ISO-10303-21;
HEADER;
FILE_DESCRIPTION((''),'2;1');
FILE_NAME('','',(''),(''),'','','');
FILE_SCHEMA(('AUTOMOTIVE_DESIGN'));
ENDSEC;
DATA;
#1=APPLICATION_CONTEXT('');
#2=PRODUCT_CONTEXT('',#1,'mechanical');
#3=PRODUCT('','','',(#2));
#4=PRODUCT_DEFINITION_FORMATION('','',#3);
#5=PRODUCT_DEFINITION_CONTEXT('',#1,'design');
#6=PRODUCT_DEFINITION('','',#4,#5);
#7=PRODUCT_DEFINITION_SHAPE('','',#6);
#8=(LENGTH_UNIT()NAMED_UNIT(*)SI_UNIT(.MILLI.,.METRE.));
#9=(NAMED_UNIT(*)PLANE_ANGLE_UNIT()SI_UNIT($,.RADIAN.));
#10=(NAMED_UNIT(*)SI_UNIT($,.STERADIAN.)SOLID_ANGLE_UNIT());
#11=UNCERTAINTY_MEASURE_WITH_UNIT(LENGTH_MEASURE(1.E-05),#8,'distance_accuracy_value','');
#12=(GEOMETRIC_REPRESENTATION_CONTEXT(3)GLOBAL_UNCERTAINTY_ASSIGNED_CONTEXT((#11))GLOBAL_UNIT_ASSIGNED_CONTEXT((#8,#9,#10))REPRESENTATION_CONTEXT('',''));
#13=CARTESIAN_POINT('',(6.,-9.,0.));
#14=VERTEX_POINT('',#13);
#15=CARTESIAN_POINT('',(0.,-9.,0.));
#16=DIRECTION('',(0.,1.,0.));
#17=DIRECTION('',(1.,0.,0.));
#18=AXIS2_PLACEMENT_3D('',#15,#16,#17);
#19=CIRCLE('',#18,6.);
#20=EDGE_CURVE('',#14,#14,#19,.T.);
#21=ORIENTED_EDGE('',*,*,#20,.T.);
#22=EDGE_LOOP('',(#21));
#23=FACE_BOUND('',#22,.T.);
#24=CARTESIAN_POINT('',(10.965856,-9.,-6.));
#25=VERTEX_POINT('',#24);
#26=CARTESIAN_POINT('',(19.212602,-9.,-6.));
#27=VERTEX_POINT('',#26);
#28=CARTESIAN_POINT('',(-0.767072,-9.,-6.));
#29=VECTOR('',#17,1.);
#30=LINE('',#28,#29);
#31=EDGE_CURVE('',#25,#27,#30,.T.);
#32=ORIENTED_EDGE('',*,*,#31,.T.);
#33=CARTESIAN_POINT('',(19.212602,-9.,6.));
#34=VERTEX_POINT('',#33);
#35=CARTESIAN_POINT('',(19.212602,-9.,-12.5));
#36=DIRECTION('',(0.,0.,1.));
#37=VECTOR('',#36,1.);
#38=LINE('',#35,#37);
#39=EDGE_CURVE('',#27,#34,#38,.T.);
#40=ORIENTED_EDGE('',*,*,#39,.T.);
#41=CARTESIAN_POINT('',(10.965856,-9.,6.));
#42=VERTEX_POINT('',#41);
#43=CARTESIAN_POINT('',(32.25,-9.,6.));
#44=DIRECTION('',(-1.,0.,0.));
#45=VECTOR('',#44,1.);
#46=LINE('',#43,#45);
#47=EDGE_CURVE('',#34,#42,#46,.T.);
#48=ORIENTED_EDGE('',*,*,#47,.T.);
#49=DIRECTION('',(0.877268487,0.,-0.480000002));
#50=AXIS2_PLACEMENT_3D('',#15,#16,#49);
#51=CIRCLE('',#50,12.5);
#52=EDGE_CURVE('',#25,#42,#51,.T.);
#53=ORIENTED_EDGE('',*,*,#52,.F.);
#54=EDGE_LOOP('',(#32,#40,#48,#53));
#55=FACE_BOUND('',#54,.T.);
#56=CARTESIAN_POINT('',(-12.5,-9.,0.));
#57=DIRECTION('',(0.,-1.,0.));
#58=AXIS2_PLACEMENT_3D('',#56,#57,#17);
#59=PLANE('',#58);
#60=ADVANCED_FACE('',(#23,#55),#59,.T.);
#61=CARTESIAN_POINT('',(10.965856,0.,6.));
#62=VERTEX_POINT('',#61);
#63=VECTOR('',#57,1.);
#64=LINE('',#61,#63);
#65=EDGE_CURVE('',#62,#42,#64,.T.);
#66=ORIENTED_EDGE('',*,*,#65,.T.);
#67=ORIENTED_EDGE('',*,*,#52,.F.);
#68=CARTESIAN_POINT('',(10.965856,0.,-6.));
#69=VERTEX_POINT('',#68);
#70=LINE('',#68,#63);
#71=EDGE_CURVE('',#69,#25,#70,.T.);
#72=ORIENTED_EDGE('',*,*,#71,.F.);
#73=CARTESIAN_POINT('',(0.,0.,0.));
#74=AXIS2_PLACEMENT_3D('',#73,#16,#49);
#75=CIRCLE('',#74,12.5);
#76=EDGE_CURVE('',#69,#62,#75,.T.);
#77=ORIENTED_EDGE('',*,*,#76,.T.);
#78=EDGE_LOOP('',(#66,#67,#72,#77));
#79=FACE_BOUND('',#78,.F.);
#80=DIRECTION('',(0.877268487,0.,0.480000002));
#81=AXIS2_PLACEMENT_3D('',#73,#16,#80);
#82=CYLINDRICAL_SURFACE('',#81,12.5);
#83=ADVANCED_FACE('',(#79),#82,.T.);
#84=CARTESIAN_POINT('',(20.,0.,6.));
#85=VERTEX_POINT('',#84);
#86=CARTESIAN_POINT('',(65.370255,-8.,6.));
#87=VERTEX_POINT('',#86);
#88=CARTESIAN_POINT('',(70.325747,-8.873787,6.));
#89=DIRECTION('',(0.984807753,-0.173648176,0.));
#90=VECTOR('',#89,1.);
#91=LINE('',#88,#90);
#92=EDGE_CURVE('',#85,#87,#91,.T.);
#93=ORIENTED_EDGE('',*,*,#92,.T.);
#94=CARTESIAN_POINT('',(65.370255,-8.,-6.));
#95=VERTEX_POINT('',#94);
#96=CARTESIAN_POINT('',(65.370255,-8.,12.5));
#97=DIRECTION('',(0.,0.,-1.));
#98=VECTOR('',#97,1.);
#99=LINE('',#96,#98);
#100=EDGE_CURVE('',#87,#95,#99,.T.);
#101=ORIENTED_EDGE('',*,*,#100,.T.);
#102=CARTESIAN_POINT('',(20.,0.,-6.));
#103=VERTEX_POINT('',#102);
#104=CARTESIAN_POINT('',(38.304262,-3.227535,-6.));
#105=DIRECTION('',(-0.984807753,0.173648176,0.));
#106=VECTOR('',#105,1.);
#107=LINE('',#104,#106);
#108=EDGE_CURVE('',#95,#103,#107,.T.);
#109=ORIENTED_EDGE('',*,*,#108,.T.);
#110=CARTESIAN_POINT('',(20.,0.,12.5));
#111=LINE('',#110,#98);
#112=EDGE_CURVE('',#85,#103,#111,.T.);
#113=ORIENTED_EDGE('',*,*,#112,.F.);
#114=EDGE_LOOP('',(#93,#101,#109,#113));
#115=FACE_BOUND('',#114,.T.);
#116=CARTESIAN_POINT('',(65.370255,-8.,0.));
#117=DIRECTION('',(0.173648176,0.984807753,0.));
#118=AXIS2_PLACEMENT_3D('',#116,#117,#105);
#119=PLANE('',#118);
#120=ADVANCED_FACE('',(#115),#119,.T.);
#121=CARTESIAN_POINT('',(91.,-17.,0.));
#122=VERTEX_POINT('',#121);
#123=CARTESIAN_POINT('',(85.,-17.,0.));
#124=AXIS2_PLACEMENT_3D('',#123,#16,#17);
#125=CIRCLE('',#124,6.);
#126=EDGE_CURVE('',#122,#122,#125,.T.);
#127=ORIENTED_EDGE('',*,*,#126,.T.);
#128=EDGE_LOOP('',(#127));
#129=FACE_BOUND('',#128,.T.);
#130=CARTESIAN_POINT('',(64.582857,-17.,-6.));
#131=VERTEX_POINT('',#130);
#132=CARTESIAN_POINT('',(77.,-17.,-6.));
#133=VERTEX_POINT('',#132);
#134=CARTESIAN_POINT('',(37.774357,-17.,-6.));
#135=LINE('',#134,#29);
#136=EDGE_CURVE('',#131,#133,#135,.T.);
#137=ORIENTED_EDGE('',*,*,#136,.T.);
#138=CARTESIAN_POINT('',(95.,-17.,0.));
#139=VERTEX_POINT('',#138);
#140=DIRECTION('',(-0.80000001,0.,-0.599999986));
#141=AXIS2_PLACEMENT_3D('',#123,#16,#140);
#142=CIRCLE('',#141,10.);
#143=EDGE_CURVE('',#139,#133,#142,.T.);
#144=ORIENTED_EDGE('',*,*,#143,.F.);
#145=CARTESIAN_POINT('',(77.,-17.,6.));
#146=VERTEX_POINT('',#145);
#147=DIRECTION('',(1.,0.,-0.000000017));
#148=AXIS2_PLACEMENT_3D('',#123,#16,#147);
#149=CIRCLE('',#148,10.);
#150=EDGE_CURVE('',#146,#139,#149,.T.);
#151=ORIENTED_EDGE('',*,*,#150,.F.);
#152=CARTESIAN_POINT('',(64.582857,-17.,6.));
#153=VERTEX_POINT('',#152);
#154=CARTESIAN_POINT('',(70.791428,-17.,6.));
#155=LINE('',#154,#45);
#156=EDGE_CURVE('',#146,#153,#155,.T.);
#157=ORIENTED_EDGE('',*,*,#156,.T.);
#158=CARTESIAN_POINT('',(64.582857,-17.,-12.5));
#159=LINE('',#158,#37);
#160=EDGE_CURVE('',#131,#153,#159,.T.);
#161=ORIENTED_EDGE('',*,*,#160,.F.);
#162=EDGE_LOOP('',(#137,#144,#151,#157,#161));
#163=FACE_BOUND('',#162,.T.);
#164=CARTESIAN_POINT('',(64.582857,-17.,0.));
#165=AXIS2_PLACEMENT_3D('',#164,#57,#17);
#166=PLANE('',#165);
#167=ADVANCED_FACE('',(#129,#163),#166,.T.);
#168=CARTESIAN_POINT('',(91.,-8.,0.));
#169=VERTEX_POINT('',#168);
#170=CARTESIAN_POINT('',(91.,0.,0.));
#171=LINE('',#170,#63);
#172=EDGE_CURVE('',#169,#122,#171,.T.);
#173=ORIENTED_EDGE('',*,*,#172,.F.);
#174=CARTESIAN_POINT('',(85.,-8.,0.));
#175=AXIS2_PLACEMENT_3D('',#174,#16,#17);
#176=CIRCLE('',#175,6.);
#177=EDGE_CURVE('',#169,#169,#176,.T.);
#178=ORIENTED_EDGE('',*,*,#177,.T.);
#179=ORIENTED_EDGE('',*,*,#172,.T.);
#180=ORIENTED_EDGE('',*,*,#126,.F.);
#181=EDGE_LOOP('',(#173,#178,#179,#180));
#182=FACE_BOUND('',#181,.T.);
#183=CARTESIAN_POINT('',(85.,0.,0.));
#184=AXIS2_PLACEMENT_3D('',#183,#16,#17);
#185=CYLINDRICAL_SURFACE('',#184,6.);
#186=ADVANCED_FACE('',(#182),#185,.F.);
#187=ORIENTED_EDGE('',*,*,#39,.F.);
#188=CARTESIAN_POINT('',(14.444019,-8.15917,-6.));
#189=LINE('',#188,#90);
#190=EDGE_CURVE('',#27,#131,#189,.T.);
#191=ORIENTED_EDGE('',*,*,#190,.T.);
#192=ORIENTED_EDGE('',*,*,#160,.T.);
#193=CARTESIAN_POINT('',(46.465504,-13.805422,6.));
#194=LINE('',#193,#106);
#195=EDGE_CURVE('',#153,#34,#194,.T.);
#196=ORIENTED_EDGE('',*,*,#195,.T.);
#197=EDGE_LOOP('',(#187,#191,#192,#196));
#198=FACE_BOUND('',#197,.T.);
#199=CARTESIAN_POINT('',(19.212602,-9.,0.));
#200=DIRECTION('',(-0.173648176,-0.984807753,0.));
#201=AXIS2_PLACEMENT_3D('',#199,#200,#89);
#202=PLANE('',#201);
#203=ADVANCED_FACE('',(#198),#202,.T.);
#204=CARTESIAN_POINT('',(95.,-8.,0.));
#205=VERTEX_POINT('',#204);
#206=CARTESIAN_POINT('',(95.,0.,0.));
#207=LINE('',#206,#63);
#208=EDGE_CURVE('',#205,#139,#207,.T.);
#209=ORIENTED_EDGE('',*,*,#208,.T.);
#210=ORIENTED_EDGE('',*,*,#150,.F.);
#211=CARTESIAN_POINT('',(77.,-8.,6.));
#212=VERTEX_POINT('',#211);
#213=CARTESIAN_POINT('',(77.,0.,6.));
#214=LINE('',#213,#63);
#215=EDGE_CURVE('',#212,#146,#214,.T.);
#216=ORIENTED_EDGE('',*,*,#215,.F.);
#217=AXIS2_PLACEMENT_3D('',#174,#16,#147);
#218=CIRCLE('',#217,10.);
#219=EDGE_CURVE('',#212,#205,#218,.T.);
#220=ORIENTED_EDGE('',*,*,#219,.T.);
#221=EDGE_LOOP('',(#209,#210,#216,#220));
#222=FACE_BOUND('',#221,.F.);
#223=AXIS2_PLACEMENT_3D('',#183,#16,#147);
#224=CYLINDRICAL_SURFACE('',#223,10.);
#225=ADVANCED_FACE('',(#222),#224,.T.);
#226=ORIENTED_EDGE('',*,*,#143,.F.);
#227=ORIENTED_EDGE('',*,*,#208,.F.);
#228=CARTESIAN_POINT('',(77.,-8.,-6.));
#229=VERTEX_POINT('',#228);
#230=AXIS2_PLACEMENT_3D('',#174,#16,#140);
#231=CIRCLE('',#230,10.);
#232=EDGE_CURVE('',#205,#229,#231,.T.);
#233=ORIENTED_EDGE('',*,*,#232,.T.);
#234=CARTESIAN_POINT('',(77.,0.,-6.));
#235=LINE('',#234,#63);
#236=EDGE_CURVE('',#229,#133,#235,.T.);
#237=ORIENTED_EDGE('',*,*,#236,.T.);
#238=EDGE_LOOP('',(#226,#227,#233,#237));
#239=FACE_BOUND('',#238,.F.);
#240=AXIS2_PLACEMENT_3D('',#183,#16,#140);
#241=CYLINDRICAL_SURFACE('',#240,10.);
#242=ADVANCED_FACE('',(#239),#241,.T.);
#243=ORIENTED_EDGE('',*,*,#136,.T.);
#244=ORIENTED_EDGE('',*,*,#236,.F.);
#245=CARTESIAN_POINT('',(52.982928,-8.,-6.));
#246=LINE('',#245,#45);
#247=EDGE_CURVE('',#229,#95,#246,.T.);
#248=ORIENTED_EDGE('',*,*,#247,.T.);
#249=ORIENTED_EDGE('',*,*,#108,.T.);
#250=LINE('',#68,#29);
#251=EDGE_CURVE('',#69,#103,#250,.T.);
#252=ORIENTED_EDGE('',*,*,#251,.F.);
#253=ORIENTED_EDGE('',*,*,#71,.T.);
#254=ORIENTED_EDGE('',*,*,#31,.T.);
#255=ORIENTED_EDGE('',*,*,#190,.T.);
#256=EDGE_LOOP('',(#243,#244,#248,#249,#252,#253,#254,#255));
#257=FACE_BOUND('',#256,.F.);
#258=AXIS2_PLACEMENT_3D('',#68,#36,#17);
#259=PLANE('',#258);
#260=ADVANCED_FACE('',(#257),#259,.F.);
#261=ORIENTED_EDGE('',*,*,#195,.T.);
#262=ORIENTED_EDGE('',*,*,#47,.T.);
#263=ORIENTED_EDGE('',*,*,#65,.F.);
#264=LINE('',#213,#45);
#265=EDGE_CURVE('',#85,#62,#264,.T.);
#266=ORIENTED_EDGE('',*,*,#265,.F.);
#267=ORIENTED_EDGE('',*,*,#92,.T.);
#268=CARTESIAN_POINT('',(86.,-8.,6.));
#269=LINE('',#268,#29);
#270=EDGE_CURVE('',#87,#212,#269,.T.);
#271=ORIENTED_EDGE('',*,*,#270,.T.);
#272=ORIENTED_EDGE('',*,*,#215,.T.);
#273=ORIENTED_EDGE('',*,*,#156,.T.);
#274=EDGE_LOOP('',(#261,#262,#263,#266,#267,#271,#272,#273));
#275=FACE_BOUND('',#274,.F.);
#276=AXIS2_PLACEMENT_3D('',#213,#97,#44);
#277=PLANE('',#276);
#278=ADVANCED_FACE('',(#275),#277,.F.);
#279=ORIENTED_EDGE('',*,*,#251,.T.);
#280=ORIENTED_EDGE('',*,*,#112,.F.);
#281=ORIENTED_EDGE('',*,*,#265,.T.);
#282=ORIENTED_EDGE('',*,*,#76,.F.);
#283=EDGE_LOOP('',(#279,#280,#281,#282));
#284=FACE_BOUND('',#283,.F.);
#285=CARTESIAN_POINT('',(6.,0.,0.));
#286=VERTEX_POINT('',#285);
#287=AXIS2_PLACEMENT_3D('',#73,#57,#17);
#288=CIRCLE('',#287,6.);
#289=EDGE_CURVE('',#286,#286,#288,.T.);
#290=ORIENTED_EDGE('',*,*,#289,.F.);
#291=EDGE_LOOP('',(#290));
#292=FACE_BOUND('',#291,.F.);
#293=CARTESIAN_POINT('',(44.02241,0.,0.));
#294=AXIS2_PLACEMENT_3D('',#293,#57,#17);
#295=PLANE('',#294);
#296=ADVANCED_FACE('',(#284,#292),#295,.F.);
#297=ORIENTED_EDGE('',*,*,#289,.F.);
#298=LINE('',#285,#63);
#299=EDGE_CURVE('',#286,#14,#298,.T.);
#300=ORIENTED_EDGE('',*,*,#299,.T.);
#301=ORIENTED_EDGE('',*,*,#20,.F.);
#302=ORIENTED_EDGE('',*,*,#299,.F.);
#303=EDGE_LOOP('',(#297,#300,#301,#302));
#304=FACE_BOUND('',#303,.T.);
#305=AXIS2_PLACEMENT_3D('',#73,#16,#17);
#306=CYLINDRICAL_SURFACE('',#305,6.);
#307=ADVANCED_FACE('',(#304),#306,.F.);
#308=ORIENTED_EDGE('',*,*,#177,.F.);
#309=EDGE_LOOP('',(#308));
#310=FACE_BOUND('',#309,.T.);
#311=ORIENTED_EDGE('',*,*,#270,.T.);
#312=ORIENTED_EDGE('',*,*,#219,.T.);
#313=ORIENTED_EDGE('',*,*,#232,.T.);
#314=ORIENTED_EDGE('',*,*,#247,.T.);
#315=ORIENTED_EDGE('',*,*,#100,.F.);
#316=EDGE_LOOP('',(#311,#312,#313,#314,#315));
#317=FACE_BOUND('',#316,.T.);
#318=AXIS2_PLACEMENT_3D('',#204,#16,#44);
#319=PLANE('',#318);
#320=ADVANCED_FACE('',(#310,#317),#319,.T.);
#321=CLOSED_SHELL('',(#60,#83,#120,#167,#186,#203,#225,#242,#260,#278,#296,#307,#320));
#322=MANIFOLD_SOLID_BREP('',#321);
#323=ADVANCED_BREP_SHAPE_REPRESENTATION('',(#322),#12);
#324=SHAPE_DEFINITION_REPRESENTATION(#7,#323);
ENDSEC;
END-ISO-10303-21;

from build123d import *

# Parameters (mm, degrees)
F0_R     = 6
F1_DEPTH = 25
F3_DEPTH = 12.5


with BuildPart() as f1:
    # F0 (on Front) → F1 (new body)
    with BuildSketch(Plane.XZ):
        with BuildLine():
            ThreePointArc((10.965856, 6), (12.110392, 3.096514), (12.5, 0))
            ThreePointArc((12.5, 0), (12.110392, -3.096514), (10.965856, -6))
            Line((10.965856, -6), (77, -6))
            ThreePointArc((77, -6), (75, 0), (77, 6))
            Line((77, 6), (10.965856, 6))
        make_face()
        with BuildLine():
            ThreePointArc((95, 0), (88.162278, 9.486833), (77, 6))
            ThreePointArc((77, 6), (75, 0), (77, -6))
            ThreePointArc((77, -6), (88.162278, -9.486833), (95, 0))
        make_face()
        with Locations((85, 0)):
            Circle(F0_R, mode=Mode.SUBTRACT)
        with BuildLine():
            ThreePointArc((10.965856, -6), (12.110392, -3.096514), (12.5, 0))
            ThreePointArc((12.5, 0), (12.110392, 3.096514), (10.965856, 6))
            ThreePointArc((10.965856, 6), (-12.5, 0), (10.965856, -6))
        make_face()
        Circle(F0_R, mode=Mode.SUBTRACT)
    extrude(amount=F1_DEPTH)

    # F2 (on Top) → F3 (intersect, symmetric)
    with BuildSketch(Plane.XY):
        Polygon((20, 0), (-12.5, 0), (-12.5, -9), (19.212602, -9), (64.582857, -17), (95, -17), (95, -8), (65.370255, -8), align=None)
    extrude(amount=F3_DEPTH, both=True, mode=Mode.INTERSECT)


solid = f1.part
